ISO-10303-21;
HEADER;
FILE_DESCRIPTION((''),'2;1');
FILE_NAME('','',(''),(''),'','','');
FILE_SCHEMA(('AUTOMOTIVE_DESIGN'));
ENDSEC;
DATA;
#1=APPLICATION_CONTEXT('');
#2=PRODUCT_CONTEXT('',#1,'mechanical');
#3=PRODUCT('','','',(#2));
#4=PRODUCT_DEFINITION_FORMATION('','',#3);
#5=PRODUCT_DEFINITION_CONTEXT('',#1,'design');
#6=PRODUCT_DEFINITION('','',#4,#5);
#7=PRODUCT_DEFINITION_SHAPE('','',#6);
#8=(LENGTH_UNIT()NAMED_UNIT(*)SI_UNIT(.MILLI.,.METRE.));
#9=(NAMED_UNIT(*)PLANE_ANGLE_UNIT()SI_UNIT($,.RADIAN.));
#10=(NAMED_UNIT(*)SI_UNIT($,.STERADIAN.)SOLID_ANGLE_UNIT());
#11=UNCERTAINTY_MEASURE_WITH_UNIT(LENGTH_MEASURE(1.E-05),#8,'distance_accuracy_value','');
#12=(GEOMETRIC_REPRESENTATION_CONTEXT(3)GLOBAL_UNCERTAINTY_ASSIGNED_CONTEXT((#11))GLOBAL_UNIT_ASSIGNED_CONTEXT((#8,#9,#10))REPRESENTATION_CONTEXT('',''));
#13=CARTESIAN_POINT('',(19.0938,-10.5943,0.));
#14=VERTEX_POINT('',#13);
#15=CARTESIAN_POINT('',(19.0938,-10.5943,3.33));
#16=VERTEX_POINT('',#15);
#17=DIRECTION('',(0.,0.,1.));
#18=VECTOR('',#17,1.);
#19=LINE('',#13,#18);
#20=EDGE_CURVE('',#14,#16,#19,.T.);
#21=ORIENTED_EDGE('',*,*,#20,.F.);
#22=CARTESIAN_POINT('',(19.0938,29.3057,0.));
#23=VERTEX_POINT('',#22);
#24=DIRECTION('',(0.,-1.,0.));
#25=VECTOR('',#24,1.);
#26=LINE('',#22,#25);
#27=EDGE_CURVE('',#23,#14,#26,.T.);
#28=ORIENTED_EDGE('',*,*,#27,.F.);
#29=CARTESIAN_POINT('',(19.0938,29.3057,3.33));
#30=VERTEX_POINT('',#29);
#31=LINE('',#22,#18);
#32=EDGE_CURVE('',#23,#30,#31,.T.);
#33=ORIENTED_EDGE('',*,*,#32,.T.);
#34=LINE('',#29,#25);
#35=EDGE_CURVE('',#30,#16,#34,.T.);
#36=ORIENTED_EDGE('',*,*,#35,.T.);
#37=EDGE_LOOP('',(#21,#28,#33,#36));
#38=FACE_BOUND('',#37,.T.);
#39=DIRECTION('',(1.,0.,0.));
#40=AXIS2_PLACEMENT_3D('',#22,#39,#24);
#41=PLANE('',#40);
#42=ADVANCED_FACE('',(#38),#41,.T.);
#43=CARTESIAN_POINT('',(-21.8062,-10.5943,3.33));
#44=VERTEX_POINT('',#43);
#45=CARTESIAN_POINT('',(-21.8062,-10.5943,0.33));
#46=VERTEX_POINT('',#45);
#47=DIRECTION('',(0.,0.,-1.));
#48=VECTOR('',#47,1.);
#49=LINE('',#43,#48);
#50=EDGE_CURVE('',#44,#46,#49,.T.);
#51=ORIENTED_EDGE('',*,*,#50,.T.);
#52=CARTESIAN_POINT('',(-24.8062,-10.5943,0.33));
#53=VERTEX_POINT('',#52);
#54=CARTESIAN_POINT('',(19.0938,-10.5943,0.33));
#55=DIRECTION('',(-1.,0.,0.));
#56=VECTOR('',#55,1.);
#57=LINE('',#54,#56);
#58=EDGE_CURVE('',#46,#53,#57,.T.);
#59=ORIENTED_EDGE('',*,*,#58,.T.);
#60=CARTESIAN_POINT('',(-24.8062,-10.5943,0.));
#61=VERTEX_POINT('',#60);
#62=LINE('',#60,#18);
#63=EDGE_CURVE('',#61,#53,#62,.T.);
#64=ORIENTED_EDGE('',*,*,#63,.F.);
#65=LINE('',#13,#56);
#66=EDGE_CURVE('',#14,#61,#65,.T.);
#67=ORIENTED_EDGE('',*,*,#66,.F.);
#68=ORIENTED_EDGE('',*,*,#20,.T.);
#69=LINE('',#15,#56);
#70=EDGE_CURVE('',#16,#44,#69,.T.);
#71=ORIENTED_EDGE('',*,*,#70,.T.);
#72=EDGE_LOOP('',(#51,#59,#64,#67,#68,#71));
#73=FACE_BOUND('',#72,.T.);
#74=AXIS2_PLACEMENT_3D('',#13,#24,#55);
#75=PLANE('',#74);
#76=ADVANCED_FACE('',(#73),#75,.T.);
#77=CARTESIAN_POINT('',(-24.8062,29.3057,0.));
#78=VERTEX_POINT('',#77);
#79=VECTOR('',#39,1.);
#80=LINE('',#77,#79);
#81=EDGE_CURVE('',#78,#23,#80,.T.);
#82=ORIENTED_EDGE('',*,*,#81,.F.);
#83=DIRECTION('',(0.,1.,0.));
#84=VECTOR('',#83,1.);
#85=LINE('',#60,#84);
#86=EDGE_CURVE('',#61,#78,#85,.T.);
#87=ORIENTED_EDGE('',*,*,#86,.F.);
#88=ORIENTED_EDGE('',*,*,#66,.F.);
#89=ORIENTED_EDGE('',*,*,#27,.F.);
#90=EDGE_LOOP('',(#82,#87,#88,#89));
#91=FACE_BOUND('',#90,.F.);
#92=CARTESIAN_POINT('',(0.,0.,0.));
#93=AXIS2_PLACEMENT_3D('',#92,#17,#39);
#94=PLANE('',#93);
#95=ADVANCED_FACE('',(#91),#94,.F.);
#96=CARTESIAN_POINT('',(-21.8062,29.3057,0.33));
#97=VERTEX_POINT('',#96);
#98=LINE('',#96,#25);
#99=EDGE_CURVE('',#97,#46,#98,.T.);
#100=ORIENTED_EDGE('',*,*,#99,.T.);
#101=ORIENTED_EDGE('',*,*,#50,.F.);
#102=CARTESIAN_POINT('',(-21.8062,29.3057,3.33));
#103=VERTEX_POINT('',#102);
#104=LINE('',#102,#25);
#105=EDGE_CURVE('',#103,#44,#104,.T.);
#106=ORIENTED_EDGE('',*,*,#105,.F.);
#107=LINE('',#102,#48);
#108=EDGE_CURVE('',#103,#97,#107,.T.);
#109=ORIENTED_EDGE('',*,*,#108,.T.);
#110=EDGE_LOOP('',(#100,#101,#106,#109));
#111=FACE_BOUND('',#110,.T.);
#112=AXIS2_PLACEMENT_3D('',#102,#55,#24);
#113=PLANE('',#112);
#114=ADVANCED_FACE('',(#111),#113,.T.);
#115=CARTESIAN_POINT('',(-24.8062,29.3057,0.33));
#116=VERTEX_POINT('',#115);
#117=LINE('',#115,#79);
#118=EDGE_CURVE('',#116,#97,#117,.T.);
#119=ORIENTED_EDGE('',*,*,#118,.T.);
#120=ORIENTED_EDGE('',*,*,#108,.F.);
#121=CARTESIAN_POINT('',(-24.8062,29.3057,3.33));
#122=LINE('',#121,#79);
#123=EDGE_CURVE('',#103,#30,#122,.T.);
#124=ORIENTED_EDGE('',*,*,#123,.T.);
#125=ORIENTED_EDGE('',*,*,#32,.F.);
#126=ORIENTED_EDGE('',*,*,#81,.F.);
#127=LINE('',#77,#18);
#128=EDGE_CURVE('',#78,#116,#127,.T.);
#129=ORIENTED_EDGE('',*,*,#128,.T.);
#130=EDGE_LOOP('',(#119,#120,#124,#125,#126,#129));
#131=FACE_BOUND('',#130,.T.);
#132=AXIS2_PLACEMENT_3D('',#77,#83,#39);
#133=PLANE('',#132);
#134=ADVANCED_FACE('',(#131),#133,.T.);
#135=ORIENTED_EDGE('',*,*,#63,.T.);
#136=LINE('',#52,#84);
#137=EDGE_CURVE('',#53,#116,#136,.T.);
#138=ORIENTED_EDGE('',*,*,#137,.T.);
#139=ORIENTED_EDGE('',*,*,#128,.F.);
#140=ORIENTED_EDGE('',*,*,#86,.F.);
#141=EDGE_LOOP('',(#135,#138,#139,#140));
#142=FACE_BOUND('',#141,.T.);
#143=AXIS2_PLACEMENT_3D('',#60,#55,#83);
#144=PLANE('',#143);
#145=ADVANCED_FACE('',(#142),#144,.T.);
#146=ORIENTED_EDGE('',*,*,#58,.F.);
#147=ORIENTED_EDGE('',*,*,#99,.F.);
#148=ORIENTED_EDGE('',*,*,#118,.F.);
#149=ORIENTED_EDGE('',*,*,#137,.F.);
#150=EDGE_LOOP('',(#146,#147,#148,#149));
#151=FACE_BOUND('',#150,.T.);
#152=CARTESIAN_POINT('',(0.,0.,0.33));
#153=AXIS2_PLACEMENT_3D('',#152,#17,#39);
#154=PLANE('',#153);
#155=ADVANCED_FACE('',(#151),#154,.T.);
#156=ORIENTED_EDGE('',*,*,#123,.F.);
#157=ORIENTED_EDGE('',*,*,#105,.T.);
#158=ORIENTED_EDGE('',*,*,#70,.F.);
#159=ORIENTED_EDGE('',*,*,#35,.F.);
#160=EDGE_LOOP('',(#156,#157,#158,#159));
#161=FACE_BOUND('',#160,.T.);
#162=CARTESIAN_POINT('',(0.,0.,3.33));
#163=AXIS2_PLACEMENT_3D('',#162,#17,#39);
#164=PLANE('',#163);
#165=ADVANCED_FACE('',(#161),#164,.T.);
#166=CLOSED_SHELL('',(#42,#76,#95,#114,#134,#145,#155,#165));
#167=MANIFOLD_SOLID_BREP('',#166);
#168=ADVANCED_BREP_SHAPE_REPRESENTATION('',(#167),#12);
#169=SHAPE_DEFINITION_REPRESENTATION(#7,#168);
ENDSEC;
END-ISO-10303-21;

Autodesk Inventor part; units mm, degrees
ref_plane "YZ Plane" through (0, 0, 0) normal (1, 0, 0) x (0, 1, 0)
ref_plane "XZ Plane" through (0, 0, 0) normal (0, 1, 0) x (-1, 0, 0)
ref_plane "XY Plane" through (0, 0, 0) normal (0, 0, 1) x (1, 0, 0)
sketch "Sketch1" plane through (0, 0, 0) normal (0, 0, 1) x (1, 0, 0)
  line L0 (-24.8062, 29.3057) -> (19.0938, 29.3057)
  line L1 (19.0938, 29.3057) -> (19.0938, -10.5943)
  line L2 (19.0938, -10.5943) -> (-24.8062, -10.5943)
  line L3 (-24.8062, -10.5943) -> (-24.8062, 29.3057)
  dimension "d0" = 39.9
  dimension "d1" = 43.9
extrude "Extrusion1" add sketch "Sketch1" along normal blind 3.33
sketch "Sketch2" plane through (0, 0, 3.33) normal (0, 0, 1) x (1, 0, 0)
  line L0 (19.0938, -10.5943) -> (-24.8062, -10.5943) projected
  line L1 (-24.8062, 29.3057) -> (-21.8062, 29.3057)
  line L2 (-21.8062, 29.3057) -> (-21.8062, -10.5943)
  line L3 (-21.8062, -10.5943) -> (-24.8062, -10.5943)
  line L4 (-24.8062, -10.5943) -> (-24.8062, 29.3057)
  dimension "d4" = 3
extrude "Extrusion2" cut sketch "Sketch2" against normal blind 3
sketch "Sketch3" plane through (-24.8062, -10.5943, 0) normal (0, -1, 0) x (1, 0, 0)
  line L0 (3, 3.33) -> (3, 0.33) projected
  line L1 (3, 0.33) -> (0, 0.33) projected
  line L2 (0, 0) -> (0, 0.33) projected
  line L3 (43.9, 0) -> (0, 0) projected
  line L4 (43.9, 0) -> (43.9, 3.33) projected
  line L5 (43.9, 3.33) -> (3, 3.33) projected
  dimension "d7" = 3.33
properties part number "peltier"
